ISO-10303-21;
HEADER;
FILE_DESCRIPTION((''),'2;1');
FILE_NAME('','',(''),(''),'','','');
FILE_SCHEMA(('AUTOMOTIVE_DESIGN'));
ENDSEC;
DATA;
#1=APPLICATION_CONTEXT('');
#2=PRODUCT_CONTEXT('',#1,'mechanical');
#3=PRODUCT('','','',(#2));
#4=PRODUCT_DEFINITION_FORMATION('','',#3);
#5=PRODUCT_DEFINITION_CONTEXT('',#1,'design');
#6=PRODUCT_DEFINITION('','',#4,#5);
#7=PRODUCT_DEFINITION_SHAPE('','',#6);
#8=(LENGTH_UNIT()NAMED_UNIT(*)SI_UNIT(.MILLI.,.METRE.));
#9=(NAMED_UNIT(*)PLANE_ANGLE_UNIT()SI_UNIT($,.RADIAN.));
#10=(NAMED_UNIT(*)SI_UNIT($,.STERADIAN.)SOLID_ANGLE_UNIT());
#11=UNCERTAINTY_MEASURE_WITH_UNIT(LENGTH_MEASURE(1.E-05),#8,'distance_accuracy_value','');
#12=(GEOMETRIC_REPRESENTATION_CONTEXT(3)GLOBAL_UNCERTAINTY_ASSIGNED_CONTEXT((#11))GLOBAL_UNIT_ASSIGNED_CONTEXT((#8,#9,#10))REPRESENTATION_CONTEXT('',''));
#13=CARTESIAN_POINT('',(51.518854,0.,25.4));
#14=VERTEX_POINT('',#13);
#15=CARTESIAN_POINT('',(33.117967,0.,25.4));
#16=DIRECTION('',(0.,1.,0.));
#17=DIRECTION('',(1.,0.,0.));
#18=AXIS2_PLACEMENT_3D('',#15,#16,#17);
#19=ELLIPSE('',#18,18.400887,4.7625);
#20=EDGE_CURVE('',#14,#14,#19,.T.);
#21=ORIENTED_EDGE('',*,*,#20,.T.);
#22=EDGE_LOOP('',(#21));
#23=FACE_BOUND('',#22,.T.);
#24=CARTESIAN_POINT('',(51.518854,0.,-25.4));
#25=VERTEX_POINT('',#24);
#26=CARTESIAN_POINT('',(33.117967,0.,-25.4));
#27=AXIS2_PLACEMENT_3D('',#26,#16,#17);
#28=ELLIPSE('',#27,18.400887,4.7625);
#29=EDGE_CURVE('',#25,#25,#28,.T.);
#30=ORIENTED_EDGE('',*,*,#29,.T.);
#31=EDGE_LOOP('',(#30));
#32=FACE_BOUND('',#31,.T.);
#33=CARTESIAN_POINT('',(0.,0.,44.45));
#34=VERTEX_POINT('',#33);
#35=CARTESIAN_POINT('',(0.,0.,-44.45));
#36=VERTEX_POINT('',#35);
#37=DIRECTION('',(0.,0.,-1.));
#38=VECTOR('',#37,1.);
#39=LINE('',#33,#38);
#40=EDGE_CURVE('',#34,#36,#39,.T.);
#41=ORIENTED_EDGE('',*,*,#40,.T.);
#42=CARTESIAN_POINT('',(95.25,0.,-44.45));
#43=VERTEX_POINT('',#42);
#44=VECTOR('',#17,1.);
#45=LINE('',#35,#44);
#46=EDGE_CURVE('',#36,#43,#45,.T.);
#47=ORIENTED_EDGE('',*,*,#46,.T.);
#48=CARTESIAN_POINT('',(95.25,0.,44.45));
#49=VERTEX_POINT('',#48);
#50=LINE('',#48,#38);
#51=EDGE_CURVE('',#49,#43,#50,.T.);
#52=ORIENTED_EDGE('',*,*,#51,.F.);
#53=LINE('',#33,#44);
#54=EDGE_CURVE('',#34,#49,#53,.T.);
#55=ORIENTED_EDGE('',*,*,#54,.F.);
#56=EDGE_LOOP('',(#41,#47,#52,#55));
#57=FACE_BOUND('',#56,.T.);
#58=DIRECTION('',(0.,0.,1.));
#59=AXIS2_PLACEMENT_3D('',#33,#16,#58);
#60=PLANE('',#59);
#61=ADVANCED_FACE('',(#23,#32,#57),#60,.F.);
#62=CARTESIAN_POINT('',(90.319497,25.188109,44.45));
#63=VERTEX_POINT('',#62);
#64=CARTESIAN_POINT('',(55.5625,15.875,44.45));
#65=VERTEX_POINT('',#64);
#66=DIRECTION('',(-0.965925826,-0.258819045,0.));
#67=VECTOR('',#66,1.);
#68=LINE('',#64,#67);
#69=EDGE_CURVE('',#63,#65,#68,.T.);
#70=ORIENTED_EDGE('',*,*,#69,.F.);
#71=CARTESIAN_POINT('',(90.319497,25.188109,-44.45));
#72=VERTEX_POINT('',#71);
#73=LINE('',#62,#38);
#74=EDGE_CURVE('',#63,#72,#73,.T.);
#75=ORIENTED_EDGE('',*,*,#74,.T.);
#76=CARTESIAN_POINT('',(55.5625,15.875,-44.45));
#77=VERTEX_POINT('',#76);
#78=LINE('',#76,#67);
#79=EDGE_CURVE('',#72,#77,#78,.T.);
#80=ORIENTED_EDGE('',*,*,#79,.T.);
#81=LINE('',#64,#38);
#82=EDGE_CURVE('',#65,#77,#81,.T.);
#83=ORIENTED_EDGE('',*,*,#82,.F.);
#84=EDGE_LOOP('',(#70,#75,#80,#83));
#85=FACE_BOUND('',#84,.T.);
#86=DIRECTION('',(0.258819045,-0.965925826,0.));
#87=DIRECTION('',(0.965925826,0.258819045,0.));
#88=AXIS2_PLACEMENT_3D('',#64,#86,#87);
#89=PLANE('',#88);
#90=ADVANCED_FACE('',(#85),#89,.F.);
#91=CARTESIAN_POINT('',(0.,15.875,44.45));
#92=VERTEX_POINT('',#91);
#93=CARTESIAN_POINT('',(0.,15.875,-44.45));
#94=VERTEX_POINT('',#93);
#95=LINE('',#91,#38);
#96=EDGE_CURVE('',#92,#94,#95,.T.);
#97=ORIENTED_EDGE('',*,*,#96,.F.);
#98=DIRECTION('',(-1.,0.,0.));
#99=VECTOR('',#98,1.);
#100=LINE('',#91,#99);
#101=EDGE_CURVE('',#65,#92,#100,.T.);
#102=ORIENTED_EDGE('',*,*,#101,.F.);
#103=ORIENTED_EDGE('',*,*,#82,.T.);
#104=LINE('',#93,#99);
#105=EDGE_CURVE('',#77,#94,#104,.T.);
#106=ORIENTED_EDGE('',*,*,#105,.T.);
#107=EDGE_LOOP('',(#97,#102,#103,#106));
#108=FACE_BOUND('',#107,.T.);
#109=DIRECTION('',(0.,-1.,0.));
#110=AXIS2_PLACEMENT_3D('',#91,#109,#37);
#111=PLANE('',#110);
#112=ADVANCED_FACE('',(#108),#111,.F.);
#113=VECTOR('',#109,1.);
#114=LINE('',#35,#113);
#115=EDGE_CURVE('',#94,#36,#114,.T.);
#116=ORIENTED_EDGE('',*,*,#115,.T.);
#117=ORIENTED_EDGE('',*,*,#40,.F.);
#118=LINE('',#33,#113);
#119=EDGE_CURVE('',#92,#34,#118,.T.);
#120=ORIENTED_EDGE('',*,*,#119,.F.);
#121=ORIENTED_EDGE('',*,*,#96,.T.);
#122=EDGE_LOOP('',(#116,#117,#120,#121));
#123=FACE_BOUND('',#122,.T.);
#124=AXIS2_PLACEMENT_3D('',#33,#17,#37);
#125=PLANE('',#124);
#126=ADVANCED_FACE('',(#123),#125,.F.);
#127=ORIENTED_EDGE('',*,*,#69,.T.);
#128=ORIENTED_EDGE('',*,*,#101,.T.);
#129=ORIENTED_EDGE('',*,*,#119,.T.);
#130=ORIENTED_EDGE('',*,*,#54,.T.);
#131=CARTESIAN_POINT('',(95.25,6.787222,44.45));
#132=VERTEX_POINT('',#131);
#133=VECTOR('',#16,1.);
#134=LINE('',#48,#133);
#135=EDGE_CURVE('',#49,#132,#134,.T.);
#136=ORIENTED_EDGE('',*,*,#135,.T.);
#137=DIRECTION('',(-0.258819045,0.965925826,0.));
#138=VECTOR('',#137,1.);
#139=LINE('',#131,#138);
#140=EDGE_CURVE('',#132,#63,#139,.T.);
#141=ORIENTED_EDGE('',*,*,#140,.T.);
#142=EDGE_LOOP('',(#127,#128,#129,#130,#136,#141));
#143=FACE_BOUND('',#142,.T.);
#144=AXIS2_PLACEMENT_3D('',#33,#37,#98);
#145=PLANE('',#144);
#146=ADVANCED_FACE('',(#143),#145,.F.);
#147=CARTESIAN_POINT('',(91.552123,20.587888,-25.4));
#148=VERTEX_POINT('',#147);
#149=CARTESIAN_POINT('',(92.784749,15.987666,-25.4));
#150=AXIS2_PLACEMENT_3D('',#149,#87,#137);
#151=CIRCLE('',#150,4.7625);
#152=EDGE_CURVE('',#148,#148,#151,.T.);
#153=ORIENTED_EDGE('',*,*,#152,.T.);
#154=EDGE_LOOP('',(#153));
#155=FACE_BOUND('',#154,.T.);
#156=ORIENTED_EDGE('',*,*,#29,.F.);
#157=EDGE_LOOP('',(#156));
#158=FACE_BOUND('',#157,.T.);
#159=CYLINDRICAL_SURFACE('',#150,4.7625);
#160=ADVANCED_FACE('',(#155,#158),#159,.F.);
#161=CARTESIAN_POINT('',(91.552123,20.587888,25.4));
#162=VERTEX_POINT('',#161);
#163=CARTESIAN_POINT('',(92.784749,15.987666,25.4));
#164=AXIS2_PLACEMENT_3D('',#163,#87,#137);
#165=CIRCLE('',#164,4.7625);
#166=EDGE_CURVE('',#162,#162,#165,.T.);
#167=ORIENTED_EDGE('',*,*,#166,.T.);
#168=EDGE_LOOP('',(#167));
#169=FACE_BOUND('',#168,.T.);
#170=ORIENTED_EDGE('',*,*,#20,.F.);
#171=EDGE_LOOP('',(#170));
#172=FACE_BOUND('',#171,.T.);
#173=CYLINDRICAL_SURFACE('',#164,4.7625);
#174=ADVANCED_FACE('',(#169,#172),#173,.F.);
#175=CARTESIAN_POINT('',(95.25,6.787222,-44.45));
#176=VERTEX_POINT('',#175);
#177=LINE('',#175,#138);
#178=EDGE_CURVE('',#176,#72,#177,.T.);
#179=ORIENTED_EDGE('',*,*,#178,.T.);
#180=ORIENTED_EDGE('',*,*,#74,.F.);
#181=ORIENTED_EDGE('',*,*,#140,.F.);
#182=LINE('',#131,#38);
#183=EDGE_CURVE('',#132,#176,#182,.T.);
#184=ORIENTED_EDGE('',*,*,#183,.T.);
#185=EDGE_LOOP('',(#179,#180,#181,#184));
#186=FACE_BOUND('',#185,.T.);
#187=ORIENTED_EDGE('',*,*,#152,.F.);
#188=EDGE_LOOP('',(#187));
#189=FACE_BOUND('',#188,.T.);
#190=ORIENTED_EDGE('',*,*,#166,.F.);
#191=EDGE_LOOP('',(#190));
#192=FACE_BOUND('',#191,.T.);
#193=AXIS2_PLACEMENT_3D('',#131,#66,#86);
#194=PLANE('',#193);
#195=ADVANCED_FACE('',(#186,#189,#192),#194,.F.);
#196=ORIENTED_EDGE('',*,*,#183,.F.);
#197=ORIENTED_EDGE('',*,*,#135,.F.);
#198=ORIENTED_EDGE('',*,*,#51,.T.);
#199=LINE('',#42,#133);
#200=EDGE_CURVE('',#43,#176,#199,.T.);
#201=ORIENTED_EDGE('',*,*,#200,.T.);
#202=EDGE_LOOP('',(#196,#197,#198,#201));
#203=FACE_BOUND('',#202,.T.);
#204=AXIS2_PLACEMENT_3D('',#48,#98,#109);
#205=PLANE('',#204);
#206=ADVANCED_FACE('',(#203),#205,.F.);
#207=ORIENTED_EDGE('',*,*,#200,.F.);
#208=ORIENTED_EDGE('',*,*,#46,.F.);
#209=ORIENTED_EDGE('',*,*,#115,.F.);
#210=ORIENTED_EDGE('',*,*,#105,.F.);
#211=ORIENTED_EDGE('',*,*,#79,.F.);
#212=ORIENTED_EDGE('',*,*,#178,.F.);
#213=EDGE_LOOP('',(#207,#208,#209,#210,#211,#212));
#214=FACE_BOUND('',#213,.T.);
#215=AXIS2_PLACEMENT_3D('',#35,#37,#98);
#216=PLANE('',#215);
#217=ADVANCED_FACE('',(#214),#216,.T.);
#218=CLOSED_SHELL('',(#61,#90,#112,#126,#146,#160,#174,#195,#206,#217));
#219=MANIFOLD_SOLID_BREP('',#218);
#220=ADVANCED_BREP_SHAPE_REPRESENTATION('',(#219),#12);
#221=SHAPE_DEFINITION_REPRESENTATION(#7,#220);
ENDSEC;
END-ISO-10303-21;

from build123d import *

# Parameters (mm, degrees)
BOSS_EXTRUDE1_DEPTH          = 44.45
F_3_8_0_375_DIAMETER_HOLE1_D = 9.525


with BuildPart() as part:
    # Sketch1 → Boss-Extrude1 (new, symmetric)
    with BuildSketch(Plane.XY):
        Polygon((95.25, 0), (95.25, 6.787222338), (90.319497191, 25.188109329), (55.5625, 15.875), (0, 15.875), (0, 0), align=None)
    extrude(amount=BOSS_EXTRUDE1_DEPTH, both=True)

    # 3/8 (0.375) Diameter Hole1 (through all)
    with Locations(Plane(origin=(90.56626544, 24.267157686, 0), x_dir=(0, 0, -1), z_dir=(0.9659258262890682, 0.2588190451025212, 0))):
        with Locations((-25.4, -8.571560701), (25.4, -8.571560701)):
            Hole(F_3_8_0_375_DIAMETER_HOLE1_D / 2)


solid = part.part
